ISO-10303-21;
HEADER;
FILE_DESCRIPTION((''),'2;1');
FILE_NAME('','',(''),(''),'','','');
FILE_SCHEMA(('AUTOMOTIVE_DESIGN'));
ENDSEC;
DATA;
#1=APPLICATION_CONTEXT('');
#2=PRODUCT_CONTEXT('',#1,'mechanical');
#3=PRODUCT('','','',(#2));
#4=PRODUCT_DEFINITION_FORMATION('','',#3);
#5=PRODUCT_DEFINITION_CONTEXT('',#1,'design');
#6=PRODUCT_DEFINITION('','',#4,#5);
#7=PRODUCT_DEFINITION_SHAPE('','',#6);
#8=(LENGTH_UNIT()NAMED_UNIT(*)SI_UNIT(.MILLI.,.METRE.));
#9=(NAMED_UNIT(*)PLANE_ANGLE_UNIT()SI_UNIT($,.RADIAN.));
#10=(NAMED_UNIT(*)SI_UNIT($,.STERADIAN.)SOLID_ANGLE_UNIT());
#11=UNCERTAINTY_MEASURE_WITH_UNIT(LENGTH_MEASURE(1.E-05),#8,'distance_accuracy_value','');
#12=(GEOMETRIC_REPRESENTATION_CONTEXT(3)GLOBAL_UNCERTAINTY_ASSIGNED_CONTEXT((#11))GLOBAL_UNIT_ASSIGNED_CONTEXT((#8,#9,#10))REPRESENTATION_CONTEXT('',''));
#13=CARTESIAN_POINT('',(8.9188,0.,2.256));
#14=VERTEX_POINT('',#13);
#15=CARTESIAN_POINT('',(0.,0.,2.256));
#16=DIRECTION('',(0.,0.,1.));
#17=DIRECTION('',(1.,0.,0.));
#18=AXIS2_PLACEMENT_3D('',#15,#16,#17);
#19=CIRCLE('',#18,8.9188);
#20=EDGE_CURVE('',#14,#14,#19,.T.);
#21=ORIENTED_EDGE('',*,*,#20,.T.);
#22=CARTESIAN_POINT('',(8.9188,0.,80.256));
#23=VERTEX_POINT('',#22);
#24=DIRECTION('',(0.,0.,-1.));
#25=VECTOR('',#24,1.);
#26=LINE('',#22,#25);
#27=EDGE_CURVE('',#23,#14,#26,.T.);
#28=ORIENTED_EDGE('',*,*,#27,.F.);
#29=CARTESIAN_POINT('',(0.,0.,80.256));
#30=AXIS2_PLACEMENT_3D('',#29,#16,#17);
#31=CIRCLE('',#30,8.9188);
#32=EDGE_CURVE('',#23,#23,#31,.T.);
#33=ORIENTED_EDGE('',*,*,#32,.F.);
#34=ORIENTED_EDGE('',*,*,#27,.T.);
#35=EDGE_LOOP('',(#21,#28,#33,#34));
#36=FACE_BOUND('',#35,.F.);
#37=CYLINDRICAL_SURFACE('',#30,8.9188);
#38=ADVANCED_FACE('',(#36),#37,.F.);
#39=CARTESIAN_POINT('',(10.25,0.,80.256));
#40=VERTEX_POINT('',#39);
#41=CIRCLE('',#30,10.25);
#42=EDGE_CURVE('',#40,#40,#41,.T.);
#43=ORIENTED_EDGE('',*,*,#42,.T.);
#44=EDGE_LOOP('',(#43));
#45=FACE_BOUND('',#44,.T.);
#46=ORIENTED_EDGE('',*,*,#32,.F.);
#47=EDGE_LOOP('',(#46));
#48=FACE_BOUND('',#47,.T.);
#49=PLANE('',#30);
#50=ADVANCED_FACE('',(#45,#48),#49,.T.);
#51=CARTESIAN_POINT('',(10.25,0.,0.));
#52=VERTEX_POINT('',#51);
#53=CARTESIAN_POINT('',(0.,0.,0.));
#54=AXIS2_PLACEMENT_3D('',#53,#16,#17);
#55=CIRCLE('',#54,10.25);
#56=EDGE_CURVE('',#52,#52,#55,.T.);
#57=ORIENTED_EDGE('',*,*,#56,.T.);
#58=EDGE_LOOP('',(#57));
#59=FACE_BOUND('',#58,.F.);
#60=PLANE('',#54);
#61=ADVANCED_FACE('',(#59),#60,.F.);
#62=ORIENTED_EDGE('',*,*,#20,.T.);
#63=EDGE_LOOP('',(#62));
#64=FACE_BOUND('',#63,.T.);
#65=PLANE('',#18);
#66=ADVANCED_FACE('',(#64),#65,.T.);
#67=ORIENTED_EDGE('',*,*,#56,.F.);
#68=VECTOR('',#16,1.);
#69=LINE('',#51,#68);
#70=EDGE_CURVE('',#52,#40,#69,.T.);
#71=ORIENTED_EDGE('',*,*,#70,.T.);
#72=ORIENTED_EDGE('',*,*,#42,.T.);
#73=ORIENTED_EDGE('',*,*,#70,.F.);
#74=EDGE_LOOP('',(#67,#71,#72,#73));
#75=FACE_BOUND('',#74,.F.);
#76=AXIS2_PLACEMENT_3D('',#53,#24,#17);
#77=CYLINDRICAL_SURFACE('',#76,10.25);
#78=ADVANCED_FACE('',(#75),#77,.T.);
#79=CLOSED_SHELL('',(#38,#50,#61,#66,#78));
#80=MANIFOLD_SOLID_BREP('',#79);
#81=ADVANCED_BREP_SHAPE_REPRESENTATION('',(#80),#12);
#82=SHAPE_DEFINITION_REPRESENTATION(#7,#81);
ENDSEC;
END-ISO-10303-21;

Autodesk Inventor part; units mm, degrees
ref_plane "YZ Plane" through (0, 0, 0) normal (1, 0, 0) x (0, 1, 0)
ref_plane "XZ Plane" through (0, 0, 0) normal (0, 1, 0) x (-1, 0, 0)
ref_plane "XY Plane" through (0, 0, 0) normal (0, 0, 1) x (1, 0, 0)
sketch "Sketch1" plane through (0, 0, 0) normal (0, 0, 1) x (1, 0, 0)
  circle A0 centre (0, 0) radius 10.25
extrude "Extrusion1" add sketch "Sketch1" along normal blind 80.256
sketch "Sketch2" plane through (0, 0, 80.256) normal (0, 0, 1) x (1, 0, 0)
  circle A0 centre (0, 0) radius 8.9188
extrude "Extrusion2" cut sketch "Sketch2" against normal blind 78
properties part number "Lifter"
